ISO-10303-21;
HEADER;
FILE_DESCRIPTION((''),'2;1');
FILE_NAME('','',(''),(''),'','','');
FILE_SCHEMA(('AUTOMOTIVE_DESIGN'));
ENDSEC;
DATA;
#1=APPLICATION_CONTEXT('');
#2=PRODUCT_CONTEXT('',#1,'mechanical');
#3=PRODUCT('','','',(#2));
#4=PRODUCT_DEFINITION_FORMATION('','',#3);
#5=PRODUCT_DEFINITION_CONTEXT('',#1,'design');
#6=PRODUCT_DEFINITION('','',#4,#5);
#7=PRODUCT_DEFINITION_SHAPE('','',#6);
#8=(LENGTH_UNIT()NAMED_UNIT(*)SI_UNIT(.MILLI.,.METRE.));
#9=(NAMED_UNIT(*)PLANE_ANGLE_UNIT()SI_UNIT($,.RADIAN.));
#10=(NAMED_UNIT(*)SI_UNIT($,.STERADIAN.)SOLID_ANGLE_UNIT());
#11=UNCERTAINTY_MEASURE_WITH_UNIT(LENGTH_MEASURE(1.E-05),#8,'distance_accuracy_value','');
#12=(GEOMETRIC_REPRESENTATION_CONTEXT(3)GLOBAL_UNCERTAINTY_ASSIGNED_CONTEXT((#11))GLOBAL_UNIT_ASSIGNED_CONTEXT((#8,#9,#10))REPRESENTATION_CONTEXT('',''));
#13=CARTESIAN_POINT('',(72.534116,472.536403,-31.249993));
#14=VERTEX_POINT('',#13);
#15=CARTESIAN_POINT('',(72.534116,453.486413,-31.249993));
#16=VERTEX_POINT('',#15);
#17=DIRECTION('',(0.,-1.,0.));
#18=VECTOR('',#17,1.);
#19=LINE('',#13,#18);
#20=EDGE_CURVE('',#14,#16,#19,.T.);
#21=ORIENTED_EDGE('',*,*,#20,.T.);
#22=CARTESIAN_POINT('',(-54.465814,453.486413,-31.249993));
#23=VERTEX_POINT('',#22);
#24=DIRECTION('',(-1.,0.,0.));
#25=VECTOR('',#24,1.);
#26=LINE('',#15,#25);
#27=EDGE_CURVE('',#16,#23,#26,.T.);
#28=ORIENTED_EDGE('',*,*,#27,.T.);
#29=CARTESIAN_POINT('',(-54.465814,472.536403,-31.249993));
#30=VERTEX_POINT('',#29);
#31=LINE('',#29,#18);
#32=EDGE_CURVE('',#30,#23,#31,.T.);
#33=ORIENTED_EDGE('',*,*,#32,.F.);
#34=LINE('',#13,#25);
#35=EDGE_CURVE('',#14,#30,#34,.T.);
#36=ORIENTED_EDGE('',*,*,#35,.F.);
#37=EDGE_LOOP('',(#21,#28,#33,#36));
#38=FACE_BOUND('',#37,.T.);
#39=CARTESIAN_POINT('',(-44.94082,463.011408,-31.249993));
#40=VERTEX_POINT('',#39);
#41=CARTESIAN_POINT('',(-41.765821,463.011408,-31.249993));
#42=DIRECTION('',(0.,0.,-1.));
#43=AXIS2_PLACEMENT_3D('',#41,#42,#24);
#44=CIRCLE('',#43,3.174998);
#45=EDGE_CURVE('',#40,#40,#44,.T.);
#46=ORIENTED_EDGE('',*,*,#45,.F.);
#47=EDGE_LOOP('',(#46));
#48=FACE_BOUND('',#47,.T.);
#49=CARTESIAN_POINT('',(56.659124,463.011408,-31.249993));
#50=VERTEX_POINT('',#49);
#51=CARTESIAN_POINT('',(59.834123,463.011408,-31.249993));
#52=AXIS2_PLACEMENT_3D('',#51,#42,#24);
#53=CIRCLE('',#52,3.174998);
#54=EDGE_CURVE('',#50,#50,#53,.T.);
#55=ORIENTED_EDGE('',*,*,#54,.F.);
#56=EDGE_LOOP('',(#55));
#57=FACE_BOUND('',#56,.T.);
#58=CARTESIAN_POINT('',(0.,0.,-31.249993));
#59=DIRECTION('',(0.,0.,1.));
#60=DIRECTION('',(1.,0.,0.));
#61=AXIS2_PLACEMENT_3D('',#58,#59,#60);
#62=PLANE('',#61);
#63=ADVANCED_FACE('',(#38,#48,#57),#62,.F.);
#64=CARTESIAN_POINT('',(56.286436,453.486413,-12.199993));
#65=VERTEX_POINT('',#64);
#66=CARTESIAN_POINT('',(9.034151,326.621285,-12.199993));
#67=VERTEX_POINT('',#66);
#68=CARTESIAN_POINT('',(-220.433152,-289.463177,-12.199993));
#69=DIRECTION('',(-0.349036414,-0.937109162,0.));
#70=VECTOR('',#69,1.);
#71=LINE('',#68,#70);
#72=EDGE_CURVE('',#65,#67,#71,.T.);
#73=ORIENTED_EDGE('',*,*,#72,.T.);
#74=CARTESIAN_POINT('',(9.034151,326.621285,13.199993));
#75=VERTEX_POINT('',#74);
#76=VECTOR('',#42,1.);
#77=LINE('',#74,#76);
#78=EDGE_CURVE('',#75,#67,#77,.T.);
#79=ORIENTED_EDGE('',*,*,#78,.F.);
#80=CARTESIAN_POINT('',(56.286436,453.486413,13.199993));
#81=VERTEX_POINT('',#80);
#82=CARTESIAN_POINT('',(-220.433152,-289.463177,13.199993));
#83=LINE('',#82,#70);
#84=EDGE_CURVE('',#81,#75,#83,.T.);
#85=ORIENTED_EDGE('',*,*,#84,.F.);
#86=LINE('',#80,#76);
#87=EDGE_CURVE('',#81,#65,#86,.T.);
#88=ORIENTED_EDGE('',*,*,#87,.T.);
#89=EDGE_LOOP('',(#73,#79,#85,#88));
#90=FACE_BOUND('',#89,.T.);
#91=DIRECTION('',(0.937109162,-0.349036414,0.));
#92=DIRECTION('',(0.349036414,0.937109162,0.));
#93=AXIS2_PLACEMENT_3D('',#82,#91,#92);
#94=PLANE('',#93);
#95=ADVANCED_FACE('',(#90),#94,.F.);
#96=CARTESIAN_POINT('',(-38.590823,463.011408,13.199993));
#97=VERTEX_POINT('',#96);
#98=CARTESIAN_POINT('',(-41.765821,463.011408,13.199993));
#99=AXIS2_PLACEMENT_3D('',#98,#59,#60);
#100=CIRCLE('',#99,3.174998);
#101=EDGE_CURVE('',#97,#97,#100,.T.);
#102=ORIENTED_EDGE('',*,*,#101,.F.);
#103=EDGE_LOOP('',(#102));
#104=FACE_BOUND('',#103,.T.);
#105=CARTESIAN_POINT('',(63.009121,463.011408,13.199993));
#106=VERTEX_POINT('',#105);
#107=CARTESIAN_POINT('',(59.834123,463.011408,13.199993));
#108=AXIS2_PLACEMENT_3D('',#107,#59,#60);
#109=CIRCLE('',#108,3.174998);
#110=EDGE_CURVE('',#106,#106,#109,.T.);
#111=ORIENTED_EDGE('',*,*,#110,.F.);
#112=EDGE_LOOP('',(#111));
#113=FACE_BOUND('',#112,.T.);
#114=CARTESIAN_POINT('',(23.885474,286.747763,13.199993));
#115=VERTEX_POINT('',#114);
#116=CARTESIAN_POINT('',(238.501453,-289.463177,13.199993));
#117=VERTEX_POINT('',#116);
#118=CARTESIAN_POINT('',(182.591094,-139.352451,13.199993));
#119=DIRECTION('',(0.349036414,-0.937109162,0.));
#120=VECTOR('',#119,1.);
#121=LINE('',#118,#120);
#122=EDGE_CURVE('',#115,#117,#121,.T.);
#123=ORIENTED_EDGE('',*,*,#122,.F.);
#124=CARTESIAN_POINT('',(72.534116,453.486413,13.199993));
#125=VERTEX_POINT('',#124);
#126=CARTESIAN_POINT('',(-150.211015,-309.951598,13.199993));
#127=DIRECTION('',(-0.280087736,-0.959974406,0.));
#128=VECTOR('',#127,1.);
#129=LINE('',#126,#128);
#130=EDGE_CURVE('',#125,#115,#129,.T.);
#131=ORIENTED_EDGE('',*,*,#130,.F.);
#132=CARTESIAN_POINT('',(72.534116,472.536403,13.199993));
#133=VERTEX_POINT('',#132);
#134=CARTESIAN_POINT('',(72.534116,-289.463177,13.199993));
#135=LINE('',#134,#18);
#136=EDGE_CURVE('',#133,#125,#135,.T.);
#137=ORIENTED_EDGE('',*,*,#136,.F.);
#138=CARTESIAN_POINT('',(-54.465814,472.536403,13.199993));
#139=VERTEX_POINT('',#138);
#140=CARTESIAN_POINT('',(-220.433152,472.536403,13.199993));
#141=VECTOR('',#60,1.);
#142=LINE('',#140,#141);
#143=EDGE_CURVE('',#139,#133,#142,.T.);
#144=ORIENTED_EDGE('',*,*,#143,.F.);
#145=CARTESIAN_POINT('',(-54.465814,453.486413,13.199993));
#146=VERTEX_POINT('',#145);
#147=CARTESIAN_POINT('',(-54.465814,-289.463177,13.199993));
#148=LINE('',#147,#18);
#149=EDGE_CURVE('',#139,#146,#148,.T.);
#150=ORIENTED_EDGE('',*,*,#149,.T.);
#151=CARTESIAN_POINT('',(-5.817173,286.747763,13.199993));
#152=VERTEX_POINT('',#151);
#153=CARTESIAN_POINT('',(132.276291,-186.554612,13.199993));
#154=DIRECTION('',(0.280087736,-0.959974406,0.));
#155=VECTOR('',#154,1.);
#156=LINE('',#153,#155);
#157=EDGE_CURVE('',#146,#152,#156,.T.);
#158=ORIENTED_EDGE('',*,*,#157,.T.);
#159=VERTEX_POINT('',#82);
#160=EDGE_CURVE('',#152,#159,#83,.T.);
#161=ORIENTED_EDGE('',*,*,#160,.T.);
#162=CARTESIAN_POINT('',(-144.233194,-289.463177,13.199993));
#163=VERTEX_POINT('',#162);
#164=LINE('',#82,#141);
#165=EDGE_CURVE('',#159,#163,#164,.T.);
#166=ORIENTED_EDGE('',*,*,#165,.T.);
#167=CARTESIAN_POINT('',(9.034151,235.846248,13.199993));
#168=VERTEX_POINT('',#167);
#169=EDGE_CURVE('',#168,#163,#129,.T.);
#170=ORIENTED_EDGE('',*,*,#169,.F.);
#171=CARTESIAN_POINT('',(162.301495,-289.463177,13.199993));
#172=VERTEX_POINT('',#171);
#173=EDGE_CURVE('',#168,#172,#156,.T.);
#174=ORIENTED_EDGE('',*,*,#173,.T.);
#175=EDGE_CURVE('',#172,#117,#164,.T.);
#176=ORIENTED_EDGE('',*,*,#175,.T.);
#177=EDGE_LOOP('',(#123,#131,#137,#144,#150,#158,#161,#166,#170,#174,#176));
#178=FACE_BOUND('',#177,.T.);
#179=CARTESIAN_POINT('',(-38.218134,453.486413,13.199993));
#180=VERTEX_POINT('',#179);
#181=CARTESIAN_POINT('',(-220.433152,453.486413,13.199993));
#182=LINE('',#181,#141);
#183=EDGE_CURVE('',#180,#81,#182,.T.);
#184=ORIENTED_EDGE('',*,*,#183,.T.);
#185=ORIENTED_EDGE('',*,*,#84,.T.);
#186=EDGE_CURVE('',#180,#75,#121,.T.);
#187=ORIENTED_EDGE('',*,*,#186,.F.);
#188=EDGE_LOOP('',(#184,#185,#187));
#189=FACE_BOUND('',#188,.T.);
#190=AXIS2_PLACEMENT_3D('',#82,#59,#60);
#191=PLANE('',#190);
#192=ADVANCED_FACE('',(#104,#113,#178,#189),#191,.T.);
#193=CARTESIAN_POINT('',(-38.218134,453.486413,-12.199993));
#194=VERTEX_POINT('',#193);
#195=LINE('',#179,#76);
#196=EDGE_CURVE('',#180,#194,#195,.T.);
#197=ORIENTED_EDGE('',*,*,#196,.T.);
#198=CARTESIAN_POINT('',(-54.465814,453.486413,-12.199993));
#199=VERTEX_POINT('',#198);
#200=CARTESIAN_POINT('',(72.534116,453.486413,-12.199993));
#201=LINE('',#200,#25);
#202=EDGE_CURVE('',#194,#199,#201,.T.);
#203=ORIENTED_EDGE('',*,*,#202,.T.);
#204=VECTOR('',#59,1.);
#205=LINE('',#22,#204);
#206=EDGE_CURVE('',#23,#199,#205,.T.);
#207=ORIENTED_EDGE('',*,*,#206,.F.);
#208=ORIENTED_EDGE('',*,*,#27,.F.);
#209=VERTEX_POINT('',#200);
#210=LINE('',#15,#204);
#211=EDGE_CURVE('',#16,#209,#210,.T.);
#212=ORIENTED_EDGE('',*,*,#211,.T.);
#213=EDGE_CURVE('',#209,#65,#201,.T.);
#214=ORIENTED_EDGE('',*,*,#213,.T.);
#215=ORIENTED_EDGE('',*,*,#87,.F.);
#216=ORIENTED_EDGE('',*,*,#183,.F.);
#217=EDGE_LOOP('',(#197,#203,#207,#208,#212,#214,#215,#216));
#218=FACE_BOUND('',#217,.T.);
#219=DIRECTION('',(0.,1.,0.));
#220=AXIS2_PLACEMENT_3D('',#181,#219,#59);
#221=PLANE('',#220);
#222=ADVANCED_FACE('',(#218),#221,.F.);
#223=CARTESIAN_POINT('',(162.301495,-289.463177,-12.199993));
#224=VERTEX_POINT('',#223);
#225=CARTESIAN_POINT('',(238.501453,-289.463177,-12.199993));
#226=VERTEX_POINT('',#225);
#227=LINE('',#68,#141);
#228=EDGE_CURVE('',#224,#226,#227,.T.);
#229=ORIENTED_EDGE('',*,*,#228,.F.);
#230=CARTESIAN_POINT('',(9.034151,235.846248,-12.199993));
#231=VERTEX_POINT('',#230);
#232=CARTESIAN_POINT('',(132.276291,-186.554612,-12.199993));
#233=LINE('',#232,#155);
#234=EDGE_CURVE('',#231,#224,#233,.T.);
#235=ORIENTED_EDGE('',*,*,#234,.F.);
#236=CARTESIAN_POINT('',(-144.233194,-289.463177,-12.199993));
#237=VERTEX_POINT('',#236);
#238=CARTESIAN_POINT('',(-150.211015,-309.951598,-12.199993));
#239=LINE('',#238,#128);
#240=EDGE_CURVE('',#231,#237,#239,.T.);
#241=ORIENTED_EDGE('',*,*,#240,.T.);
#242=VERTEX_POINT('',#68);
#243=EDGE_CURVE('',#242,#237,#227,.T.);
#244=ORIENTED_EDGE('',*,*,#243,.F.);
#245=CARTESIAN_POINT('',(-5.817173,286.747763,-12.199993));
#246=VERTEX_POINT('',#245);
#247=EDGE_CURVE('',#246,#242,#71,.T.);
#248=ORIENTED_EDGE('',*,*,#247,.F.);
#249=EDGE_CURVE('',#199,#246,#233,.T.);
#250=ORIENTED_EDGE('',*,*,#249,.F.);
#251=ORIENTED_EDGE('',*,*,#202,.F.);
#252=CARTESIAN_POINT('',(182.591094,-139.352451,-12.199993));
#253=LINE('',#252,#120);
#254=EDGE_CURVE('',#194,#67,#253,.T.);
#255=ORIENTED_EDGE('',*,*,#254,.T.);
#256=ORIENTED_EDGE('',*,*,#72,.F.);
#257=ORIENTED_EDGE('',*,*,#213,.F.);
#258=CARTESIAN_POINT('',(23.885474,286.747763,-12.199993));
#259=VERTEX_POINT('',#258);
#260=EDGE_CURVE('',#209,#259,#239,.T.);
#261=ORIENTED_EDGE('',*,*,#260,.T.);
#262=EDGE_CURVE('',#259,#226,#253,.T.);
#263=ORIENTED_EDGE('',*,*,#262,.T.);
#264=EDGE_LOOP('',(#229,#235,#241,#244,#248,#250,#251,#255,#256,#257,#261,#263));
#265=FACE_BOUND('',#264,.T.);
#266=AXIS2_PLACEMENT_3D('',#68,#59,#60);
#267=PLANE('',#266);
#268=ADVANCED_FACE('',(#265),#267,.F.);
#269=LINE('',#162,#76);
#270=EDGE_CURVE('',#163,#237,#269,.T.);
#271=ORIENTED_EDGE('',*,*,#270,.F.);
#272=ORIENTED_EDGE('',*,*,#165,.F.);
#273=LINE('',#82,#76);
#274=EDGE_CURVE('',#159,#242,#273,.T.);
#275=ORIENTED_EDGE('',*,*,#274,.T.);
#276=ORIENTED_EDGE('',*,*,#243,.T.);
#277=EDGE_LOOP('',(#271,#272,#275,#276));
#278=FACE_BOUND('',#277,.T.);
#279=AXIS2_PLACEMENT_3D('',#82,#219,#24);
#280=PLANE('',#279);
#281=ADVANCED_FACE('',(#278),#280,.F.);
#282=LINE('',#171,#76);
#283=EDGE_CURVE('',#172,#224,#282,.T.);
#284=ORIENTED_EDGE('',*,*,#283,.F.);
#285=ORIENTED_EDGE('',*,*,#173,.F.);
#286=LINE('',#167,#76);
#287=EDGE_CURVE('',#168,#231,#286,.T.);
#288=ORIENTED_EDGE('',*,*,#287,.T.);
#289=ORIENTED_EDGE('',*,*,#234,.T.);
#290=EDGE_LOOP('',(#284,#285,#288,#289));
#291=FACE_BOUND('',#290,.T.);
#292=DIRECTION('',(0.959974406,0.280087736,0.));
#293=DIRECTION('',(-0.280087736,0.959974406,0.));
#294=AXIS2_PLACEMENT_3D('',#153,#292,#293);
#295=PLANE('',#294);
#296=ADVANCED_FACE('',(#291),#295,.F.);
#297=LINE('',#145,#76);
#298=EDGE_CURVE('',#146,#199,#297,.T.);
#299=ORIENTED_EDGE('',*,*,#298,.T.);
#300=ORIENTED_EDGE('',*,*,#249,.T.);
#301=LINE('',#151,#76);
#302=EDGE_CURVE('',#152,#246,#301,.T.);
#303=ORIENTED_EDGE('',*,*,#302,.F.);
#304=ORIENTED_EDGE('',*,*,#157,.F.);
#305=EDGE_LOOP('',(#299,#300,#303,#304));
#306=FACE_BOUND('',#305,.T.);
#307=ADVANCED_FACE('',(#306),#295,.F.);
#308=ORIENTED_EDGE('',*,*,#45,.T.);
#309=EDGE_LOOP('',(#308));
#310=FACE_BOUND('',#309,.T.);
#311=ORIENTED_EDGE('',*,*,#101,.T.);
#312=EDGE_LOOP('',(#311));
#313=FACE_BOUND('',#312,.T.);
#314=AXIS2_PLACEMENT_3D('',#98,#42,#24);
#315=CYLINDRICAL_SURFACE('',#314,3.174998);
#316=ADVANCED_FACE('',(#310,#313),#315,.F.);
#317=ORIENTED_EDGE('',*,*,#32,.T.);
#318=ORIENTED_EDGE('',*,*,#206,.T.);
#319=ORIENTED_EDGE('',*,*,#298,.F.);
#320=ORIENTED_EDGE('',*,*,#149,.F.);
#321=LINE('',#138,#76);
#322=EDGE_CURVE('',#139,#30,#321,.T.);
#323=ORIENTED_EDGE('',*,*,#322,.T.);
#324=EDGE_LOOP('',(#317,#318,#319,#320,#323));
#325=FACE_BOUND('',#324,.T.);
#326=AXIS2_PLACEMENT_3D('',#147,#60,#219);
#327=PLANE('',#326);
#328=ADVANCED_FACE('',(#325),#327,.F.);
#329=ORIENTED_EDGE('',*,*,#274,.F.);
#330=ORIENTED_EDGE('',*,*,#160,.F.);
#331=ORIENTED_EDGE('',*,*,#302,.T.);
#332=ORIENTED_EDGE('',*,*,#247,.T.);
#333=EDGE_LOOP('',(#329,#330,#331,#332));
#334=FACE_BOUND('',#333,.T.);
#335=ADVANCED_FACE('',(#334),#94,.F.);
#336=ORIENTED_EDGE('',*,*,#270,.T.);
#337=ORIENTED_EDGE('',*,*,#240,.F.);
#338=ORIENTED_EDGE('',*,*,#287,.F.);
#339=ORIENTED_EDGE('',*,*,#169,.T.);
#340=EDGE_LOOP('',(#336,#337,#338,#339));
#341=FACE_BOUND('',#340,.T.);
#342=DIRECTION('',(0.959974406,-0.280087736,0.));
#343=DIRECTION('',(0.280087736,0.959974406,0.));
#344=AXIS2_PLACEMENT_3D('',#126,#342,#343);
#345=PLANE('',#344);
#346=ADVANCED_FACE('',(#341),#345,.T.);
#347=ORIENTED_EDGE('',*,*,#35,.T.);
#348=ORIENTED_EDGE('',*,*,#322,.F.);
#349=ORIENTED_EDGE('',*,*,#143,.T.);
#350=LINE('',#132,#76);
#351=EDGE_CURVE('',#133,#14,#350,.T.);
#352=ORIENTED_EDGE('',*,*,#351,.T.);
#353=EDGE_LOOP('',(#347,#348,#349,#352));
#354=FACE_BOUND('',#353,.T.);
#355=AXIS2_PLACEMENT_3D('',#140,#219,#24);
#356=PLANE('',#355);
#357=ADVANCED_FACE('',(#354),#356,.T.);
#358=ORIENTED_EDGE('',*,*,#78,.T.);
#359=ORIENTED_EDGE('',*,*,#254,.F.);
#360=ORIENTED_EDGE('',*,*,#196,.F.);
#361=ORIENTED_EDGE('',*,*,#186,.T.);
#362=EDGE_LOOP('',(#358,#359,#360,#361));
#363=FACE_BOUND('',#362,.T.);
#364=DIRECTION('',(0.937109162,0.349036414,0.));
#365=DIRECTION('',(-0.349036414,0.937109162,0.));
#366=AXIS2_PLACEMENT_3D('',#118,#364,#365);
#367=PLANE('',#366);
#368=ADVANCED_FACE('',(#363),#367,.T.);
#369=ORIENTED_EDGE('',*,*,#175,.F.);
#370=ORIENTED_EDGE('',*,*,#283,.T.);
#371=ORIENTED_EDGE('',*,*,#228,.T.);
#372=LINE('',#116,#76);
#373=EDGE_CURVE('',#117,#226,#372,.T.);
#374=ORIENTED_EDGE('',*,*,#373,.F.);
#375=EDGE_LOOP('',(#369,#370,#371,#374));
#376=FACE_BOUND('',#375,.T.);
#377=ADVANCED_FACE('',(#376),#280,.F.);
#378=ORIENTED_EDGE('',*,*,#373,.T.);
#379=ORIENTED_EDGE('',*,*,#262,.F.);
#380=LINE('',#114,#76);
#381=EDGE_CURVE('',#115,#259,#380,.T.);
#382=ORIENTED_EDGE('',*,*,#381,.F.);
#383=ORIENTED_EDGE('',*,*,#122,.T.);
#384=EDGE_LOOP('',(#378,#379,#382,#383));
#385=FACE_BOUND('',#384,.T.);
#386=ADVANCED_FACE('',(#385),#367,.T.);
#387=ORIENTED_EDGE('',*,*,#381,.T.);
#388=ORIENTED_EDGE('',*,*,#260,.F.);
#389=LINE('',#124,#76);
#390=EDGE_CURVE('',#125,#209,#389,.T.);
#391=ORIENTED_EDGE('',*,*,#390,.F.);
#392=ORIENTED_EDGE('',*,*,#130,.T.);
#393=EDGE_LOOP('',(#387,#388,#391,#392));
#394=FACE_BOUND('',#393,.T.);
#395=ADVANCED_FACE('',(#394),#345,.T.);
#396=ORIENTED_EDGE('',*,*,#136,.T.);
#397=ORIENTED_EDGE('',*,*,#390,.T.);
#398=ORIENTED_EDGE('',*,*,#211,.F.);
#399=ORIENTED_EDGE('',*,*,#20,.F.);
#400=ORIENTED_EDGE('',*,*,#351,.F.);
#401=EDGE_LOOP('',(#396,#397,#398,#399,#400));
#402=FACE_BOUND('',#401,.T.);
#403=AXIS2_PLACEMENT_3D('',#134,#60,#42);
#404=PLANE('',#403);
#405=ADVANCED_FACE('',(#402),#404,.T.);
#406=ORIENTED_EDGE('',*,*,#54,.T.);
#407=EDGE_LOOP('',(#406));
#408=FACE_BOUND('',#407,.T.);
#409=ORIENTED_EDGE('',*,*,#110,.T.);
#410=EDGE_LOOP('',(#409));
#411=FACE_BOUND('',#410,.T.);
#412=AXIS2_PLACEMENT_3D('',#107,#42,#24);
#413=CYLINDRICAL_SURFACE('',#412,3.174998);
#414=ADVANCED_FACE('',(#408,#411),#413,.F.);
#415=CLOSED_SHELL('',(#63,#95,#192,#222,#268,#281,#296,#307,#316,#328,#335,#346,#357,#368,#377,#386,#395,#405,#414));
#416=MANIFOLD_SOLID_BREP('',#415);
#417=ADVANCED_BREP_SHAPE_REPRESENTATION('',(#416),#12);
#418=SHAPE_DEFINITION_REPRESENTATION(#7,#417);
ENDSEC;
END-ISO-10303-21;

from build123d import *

# Parameters (mm, degrees)
SKETCH1_R           = 0.125
BOSS_EXTRUDE1_DEPTH = 1
SCALE1_SCALE        = 25.399986
BOSS_EXTRUDE2_START = 19.05
SKETCH2_W           = 126.99993
SKETCH2_H           = 19.0499895
SKETCH2_R           = 3.17499825
BOSS_EXTRUDE2_DEPTH = 19.05


with BuildPart() as part:
    # Sketch1 → Boss-Extrude1 (new body)
    with BuildSketch(Plane.XY):
        Polygon((6.53415074, 29.25), (8.449452651, 22.685482615), (0, 0), (3, 0), (9.03415074, 20.681484839), (15.06830148, 0), (18.06830148, 0), (9.618848829, 22.685482615), (11.53415074, 29.25), (11.53415074, 30), (6.53415074, 30), align=None)
        Polygon((7.173823534, 29.25), (10.894477946, 29.25), (9.03415074, 24.25530718), align=None, mode=Mode.SUBTRACT)
        with Locations((7.03415074, 29.625)):
            Circle(SKETCH1_R, mode=Mode.SUBTRACT)
        with Locations((11.03415074, 29.625)):
            Circle(SKETCH1_R, mode=Mode.SUBTRACT)
    extrude(amount=BOSS_EXTRUDE1_DEPTH)


with BuildPart() as part_1:
    # Scale1: scaled about (9.03415074, 11.863251785, 0.5)
    add(part.part.scale(SCALE1_SCALE).moved(Location((-220.433151578, -289.463177468, -12.199993))))

    # Sketch2 → Boss-Extrude2 (add)
    with BuildSketch(Plane(origin=(0, 0, -12.199993), x_dir=(-1, 0, 0), z_dir=(0, 0, -1)).offset(BOSS_EXTRUDE2_START)):
        with Locations((-9.03415074, 463.011407788)):
            Rectangle(SKETCH2_W, SKETCH2_H)
        with Locations((-59.83412274, 463.011407788)):
            Circle(SKETCH2_R, mode=Mode.SUBTRACT)
        with Locations((41.76582126, 463.011407788)):
            Circle(SKETCH2_R, mode=Mode.SUBTRACT)
    extrude(amount=-BOSS_EXTRUDE2_DEPTH)


solid = part_1.part
